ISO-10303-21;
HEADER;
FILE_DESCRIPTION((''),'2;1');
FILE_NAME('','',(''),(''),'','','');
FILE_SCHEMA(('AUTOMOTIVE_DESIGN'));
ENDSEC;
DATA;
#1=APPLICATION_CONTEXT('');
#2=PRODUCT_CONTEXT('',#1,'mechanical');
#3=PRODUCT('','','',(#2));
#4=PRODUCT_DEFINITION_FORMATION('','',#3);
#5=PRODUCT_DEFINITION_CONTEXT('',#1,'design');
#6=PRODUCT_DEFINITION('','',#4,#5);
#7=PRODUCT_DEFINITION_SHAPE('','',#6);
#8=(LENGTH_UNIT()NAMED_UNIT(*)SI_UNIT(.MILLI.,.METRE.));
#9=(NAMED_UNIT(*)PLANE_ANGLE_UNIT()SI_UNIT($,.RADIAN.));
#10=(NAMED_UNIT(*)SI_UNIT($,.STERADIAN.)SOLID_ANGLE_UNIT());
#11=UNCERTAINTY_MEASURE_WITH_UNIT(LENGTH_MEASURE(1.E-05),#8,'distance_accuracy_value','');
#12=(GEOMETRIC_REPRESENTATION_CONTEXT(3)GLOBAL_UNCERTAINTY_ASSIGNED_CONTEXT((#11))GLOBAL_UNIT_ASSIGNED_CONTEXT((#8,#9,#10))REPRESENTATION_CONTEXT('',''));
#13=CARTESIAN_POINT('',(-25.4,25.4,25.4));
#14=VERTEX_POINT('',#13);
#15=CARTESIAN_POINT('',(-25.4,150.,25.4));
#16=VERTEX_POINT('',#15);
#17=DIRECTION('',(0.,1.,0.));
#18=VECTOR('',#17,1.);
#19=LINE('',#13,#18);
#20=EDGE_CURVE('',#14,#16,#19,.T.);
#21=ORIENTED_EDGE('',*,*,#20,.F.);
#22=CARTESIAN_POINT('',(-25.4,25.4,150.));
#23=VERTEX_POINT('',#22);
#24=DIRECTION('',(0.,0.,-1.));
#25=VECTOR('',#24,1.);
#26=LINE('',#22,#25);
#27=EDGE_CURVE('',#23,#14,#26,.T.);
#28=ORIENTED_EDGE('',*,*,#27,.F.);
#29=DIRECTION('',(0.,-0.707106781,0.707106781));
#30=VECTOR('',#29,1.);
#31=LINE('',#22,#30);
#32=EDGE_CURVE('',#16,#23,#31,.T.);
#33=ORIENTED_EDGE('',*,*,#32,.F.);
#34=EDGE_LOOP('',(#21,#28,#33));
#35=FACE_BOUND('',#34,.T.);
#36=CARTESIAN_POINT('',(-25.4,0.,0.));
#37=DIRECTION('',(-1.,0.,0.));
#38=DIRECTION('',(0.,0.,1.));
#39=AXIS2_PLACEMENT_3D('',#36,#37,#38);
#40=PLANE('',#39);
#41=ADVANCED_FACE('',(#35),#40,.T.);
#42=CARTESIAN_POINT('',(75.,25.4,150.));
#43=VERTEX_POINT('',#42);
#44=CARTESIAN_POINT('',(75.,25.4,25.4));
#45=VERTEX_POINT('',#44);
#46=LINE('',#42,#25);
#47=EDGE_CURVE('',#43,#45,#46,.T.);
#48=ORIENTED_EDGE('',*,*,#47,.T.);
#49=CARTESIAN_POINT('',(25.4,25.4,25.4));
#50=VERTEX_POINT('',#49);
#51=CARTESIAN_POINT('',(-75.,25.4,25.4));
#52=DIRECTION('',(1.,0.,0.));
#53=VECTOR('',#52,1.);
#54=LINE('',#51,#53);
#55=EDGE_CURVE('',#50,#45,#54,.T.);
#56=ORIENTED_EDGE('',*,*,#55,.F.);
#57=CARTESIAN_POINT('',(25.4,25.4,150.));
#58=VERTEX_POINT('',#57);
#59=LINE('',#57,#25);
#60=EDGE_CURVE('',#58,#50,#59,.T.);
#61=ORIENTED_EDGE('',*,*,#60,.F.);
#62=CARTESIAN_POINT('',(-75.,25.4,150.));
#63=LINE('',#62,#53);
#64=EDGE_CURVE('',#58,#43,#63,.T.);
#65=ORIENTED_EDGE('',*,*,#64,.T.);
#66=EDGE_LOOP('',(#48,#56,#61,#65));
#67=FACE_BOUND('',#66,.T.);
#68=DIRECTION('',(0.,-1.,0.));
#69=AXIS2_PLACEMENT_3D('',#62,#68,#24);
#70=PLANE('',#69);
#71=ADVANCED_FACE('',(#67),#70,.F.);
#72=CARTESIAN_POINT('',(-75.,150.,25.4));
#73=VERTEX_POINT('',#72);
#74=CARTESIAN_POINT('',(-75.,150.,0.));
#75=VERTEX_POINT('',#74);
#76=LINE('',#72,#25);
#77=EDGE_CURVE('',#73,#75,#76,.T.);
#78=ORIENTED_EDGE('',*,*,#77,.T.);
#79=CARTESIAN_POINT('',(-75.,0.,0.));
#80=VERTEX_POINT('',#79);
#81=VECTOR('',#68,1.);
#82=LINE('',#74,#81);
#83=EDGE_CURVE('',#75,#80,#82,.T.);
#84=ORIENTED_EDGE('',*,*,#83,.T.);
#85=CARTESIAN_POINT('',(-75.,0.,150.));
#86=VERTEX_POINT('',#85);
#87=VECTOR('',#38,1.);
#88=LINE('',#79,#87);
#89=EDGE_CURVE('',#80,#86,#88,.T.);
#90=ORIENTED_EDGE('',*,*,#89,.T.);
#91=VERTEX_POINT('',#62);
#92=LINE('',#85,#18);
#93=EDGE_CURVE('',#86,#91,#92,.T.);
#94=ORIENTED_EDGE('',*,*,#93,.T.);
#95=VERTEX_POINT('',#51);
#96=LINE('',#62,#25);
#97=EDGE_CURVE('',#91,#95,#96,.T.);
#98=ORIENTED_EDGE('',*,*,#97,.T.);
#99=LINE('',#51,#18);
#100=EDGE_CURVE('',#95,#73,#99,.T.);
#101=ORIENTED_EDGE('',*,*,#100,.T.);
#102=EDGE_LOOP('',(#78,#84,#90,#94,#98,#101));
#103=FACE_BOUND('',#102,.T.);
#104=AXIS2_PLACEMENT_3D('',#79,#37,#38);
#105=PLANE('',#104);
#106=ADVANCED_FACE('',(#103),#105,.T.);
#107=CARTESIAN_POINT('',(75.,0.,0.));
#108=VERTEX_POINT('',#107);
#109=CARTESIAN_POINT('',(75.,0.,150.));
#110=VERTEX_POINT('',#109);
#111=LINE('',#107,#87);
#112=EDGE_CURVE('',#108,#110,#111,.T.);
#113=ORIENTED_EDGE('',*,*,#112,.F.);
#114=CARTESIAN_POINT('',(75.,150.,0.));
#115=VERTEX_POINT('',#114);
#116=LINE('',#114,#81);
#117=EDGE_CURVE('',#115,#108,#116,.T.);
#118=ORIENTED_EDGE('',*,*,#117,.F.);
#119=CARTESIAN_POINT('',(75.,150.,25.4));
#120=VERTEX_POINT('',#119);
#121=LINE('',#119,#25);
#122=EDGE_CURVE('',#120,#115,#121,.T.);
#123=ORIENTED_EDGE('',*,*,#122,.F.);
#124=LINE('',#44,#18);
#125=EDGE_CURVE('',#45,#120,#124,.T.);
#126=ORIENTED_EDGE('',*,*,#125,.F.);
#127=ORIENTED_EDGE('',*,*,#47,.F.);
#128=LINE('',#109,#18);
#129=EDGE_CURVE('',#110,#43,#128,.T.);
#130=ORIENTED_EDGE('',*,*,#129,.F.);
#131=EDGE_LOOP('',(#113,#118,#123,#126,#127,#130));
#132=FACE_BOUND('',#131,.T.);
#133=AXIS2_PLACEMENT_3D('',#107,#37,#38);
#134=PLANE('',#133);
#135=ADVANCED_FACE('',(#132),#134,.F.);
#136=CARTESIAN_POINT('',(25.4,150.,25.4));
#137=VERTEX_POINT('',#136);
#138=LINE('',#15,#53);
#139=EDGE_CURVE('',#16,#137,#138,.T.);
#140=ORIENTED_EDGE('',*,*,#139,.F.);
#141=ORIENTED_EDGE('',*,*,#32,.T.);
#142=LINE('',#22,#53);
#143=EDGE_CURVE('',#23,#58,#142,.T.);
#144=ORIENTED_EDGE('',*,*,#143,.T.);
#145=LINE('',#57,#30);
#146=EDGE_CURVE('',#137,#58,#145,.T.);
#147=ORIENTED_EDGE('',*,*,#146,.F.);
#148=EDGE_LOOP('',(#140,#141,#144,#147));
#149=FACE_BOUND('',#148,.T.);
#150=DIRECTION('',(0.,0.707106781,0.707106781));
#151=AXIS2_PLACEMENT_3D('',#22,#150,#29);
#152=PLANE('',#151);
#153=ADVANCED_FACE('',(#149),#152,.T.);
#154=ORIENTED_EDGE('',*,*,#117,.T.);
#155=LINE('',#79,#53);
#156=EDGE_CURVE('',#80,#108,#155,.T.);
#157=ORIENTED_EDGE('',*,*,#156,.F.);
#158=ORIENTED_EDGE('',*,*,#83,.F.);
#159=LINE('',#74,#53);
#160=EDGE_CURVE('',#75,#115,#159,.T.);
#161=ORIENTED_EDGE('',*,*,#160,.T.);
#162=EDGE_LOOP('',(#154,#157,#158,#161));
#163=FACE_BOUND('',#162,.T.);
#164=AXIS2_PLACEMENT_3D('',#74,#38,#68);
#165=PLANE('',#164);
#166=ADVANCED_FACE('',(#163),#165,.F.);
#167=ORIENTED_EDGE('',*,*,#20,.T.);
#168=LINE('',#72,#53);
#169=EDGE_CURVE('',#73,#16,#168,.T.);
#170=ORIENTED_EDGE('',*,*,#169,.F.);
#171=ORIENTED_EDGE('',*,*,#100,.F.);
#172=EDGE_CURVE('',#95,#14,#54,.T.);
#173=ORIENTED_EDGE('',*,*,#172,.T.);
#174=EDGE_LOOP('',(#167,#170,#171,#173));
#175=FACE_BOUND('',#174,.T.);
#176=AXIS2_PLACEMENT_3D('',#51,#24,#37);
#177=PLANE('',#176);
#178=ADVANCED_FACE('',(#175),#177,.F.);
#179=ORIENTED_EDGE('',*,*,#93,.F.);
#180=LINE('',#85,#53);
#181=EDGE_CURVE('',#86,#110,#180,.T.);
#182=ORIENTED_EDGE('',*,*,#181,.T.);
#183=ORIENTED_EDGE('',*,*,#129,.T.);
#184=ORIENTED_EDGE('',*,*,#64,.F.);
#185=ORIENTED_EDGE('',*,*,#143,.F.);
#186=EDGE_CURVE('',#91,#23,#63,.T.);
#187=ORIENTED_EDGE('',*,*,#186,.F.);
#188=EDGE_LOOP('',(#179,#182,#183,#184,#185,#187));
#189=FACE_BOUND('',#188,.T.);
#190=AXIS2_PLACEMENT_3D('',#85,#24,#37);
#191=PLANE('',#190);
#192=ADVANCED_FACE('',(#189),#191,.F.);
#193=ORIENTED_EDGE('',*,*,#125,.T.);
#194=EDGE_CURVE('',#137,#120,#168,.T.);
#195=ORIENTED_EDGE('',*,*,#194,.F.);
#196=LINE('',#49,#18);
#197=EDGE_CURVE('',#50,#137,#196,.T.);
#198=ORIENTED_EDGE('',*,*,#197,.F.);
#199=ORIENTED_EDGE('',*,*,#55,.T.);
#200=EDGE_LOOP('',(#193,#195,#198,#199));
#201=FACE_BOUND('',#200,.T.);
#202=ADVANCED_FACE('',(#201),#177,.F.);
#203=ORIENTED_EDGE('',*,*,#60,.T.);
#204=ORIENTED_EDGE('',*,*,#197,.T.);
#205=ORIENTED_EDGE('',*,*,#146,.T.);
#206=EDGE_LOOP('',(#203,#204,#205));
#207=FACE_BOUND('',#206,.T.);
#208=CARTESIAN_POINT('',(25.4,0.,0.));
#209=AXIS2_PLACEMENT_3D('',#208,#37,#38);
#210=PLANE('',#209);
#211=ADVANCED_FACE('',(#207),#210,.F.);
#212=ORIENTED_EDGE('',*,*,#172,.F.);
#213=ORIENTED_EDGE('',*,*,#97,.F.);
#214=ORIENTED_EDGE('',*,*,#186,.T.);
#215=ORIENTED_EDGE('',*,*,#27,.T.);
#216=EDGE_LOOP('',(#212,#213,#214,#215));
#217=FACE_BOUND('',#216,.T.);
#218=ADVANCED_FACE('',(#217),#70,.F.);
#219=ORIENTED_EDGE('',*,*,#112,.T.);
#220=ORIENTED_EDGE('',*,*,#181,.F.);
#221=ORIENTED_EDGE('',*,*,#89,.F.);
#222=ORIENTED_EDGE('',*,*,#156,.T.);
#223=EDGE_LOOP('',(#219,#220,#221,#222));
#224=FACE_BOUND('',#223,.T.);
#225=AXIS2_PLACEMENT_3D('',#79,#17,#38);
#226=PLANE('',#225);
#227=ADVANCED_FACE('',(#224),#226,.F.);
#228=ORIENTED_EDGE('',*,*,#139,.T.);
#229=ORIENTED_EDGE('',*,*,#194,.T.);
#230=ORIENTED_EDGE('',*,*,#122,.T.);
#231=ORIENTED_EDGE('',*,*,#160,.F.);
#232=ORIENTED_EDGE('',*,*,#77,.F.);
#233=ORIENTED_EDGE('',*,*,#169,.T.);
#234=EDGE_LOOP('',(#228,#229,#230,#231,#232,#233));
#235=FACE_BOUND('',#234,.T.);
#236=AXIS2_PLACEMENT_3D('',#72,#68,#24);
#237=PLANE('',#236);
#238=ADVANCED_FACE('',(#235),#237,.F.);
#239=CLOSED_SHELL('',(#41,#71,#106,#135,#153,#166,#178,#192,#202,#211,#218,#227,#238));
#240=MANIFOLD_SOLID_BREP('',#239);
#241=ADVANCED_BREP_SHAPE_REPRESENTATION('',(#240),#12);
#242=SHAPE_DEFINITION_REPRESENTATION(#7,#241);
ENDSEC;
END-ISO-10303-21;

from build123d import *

# Parameters (mm, degrees)
BOSS_EXTRUDE1_DEPTH      = 75
BOSS_EXTRUDE1_DEPTH_BACK = 75
BOSS_EXTRUDE2_DEPTH      = 25.4
BOSS_EXTRUDE2_DEPTH_BACK = 25.4


with BuildPart() as part:
    # Sketch1 → Boss-Extrude1 (new, two sides: drawn at the far end of the back side and taken through both)
    with BuildSketch(Plane.YZ.offset(-BOSS_EXTRUDE1_DEPTH_BACK)):
        Polygon((0, 0), (0, 150), (25.4, 150), (25.4, 25.4), (150, 25.4), (150, 0), align=None)
    extrude(amount=BOSS_EXTRUDE1_DEPTH + BOSS_EXTRUDE1_DEPTH_BACK)

    # Sketch3 → Boss-Extrude2 (add, two sides: drawn at the far end of the back side and taken through both)
    with BuildSketch(Plane.YZ.offset(-BOSS_EXTRUDE2_DEPTH_BACK)):
        Polygon((0, 150), (25.4, 150), (150, 25.4), (150, 0), (0, 0), align=None)
    extrude(amount=BOSS_EXTRUDE2_DEPTH + BOSS_EXTRUDE2_DEPTH_BACK)


solid = part.part
